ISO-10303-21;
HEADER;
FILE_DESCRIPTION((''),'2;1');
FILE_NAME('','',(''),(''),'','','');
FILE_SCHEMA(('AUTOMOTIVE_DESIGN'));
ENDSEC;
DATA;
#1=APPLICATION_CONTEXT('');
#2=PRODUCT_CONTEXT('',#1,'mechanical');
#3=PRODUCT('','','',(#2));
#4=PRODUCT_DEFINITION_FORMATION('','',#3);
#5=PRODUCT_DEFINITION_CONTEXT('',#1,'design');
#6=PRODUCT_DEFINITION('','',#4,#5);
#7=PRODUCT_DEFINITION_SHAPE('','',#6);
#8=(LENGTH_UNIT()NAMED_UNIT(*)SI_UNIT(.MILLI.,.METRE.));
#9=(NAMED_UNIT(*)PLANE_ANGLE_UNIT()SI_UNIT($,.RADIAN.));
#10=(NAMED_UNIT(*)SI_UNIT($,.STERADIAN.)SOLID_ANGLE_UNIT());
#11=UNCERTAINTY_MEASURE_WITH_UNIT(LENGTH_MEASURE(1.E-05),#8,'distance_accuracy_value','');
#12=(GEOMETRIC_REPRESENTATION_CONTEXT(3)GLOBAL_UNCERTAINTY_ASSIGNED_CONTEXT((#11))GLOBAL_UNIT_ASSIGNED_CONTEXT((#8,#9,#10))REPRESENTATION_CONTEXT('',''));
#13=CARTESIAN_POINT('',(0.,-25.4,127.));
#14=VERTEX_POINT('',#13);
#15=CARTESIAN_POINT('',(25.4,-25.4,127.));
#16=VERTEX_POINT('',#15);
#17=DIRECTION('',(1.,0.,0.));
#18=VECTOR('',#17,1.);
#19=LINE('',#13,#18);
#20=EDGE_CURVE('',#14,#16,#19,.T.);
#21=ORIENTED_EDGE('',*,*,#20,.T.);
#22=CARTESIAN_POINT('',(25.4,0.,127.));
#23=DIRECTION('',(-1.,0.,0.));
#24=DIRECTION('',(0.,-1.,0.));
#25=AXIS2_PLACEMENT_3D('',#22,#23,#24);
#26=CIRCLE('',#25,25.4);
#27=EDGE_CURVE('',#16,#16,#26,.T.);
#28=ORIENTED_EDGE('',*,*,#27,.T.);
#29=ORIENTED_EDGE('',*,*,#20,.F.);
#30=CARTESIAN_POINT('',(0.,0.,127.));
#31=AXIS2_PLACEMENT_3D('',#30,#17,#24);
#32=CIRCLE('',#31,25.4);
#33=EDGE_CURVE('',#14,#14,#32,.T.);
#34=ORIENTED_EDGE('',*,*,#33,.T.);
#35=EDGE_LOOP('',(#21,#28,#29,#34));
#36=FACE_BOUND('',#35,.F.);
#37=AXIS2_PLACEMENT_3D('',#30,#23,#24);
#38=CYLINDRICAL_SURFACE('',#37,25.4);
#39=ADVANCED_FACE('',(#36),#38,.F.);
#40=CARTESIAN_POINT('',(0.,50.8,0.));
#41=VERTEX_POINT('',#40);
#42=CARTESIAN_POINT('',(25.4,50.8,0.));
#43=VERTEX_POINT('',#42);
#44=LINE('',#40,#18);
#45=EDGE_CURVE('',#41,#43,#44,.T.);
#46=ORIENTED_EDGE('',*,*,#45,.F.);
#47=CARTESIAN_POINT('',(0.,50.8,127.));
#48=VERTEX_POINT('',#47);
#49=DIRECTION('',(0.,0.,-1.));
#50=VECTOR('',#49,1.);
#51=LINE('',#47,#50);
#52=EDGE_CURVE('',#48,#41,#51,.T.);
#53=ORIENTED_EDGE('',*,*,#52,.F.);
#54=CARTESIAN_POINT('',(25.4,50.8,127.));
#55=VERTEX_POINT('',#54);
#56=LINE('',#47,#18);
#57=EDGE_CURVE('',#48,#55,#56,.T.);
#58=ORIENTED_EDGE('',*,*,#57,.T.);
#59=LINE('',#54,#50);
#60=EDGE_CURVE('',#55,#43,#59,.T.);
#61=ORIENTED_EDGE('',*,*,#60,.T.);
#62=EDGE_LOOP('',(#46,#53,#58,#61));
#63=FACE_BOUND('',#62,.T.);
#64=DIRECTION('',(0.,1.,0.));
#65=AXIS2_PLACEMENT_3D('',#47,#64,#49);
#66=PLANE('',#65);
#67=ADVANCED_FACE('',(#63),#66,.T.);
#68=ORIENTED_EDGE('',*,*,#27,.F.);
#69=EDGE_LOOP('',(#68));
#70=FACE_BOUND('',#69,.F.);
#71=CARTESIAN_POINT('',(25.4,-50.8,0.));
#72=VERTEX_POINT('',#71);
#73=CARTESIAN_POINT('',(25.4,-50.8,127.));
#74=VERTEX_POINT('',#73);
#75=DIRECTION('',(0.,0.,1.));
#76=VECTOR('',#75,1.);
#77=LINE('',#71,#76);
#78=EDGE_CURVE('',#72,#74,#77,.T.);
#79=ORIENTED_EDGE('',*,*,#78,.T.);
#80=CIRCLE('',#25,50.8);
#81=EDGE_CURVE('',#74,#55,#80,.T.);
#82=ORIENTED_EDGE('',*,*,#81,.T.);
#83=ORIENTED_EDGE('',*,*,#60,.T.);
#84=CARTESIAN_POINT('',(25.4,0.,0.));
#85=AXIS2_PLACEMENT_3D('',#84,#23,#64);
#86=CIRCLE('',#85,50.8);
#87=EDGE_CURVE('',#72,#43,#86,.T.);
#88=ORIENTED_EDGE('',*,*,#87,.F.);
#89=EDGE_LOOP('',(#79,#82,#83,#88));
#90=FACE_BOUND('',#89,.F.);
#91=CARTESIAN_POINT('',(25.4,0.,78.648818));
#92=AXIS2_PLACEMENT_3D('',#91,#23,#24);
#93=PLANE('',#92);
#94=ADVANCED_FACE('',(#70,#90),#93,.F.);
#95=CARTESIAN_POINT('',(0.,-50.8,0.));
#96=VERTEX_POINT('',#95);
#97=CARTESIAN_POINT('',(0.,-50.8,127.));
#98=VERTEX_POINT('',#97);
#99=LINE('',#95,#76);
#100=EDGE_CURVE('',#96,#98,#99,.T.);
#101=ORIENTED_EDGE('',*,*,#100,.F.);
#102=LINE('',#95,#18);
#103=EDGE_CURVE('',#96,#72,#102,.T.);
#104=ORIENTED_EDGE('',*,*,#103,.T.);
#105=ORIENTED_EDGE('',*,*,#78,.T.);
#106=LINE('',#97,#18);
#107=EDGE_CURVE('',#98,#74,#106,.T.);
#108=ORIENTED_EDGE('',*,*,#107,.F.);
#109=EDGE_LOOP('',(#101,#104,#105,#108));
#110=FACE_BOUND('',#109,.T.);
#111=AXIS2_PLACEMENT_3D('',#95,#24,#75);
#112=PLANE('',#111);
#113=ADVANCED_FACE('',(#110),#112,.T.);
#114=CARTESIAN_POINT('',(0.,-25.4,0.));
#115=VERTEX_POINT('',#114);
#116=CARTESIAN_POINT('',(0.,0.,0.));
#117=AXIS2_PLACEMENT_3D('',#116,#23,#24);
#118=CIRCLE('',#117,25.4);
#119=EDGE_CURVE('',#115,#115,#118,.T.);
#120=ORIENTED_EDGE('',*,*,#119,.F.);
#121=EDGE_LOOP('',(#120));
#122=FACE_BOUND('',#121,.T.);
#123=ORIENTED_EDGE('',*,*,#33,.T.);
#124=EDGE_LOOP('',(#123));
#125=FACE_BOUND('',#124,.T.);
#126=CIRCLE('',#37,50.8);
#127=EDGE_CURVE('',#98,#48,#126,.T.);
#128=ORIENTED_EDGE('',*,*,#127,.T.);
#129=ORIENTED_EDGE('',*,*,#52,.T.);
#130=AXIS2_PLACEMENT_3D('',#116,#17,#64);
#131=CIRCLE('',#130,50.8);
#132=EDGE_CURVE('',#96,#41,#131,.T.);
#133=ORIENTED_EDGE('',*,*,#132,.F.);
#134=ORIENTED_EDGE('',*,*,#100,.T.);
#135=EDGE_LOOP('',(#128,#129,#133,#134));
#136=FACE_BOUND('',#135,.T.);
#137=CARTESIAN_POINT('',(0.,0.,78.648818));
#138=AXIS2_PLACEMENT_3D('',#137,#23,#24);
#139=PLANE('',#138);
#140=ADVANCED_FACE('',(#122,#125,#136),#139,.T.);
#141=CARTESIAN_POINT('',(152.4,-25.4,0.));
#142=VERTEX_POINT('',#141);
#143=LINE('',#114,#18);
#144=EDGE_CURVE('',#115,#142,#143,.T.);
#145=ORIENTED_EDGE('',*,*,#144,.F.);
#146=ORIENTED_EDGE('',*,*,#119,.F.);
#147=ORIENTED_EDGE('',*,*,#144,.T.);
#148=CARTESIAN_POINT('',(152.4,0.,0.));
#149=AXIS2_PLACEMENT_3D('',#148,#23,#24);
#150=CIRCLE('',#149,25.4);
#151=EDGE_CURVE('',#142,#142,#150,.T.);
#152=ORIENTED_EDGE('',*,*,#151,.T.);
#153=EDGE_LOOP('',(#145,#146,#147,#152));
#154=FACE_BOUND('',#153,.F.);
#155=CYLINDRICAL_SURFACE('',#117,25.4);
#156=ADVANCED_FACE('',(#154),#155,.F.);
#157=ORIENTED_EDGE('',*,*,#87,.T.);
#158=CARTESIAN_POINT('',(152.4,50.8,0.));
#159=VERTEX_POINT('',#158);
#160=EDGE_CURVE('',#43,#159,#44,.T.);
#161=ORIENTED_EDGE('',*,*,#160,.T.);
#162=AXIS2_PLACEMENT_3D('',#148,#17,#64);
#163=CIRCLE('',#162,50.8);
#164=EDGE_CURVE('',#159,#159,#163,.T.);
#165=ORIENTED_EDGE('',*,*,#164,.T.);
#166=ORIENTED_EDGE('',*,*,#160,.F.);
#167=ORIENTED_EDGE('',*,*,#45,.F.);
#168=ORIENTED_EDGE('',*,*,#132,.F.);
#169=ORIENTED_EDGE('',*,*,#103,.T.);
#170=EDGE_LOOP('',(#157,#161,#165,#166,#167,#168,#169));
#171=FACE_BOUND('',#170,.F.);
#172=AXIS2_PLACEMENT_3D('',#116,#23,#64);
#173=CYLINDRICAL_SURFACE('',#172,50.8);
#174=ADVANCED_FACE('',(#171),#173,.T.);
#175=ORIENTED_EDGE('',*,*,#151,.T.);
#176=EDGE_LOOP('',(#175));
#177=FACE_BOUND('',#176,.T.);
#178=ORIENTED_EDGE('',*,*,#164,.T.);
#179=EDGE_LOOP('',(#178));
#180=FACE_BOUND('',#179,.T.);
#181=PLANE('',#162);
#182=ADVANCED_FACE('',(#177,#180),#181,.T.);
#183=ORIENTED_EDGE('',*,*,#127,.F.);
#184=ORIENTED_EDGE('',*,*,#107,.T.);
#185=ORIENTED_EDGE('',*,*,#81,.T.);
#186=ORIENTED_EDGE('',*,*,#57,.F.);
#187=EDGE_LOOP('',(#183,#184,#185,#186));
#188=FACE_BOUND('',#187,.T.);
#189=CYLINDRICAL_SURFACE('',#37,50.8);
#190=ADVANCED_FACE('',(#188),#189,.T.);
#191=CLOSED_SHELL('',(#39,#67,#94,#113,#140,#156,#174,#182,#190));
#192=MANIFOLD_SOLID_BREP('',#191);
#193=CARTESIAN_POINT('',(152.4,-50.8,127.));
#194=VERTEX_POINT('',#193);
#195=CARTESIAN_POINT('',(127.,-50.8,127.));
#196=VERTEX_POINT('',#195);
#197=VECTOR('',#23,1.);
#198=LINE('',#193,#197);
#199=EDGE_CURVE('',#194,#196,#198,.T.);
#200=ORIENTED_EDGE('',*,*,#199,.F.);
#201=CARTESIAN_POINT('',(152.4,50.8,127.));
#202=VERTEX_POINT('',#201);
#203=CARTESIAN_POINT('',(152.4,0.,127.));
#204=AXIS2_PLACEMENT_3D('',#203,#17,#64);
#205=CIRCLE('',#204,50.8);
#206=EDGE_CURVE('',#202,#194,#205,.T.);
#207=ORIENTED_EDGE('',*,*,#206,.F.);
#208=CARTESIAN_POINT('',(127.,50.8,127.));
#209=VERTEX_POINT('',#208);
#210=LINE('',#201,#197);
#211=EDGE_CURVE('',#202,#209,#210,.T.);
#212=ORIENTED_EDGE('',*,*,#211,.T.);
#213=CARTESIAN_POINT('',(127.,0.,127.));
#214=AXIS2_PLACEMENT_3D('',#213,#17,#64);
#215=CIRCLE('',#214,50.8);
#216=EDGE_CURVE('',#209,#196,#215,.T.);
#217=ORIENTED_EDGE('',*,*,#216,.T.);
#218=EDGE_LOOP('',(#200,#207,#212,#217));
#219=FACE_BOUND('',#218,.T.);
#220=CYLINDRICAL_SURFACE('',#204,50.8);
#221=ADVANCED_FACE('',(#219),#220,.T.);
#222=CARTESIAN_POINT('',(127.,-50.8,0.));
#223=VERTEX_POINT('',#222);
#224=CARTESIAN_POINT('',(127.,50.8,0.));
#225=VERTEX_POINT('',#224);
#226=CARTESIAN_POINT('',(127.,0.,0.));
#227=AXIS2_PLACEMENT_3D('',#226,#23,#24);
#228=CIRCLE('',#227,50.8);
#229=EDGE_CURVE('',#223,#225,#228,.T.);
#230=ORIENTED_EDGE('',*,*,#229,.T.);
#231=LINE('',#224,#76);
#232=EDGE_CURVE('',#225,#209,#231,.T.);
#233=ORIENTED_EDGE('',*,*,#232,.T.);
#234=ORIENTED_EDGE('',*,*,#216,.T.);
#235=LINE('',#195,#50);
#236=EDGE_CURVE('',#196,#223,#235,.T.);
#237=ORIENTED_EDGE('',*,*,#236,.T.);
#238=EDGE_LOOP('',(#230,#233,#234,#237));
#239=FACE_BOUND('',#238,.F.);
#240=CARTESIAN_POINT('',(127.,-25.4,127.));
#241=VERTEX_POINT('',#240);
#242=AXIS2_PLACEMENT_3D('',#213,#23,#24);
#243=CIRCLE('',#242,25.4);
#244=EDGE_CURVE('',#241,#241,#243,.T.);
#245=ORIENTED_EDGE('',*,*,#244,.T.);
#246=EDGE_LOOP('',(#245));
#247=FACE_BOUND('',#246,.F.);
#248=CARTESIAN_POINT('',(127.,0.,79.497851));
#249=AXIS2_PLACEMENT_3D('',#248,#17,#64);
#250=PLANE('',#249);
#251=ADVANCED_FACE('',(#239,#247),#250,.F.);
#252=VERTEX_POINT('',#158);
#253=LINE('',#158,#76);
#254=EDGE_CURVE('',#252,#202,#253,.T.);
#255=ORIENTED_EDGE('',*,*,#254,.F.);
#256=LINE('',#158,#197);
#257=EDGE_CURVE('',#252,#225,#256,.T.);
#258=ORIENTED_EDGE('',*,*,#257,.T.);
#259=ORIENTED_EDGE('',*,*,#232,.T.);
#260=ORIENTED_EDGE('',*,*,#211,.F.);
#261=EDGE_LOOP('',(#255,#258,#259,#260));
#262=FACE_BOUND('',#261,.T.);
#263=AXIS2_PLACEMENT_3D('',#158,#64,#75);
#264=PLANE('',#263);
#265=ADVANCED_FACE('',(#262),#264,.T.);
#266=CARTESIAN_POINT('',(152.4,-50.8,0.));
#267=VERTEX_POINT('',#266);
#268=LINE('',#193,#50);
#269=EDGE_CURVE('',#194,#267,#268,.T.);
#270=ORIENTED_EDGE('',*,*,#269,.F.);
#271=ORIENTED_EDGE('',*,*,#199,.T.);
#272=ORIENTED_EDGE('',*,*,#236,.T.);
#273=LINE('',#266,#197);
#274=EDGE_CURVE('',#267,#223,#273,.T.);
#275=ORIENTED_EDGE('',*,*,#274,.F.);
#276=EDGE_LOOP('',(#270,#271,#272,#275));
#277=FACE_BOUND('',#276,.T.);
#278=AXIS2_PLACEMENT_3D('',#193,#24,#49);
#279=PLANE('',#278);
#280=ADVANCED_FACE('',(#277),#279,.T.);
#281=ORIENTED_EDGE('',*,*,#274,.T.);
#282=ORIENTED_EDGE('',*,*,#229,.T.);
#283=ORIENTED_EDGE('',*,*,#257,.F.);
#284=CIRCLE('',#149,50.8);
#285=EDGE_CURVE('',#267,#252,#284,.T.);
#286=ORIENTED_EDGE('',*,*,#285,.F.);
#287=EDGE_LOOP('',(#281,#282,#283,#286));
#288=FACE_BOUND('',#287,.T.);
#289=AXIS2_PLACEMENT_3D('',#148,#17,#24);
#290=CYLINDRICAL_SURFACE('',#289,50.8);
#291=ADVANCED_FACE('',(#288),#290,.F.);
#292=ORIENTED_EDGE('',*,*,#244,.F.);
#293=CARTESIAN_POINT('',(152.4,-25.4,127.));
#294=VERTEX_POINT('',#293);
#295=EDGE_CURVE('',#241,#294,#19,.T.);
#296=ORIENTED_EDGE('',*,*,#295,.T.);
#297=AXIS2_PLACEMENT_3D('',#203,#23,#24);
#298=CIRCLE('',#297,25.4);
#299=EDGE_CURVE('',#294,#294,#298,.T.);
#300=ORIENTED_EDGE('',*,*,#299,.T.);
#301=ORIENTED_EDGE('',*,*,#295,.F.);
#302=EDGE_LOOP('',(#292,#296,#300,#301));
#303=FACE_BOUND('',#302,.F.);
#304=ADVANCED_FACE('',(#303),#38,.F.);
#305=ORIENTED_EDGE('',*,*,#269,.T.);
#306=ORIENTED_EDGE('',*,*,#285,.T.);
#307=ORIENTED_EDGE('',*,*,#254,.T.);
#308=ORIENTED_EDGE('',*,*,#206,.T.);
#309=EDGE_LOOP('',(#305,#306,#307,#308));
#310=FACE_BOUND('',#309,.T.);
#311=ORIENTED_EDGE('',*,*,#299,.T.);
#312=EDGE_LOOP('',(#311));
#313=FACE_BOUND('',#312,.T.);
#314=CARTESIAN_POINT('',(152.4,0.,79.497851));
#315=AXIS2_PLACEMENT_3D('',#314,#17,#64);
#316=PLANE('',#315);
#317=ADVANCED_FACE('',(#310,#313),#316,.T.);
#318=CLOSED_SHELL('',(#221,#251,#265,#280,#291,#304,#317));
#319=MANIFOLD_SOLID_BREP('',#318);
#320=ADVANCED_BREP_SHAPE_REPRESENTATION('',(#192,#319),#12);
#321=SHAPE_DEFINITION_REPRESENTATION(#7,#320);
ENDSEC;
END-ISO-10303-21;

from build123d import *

# Parameters (mm, degrees)
F0_R     = 50.8
F1_DEPTH = 152.4
F3_DEPTH = 25.4
F5_DEPTH = 25.4
F6_R     = 25.4
F7_DEPTH = 152.401
F8_R     = 25.4
F9_DEPTH = 152.401


with BuildPart() as f1:
    # F0 (on Right) → F1 (new body)
    with BuildSketch(Plane.YZ):
        Circle(F0_R)
    extrude(amount=F1_DEPTH)

    # F4 (on face) → F5 (join)
    with BuildSketch(Plane(origin=(0, 0, 0), x_dir=(0, -1, 0), z_dir=(-1, 0, 0))):
        with BuildLine():
            Line((-50.8, 127), (-50.8, 0))
            Line((-50.8, 0), (50.8, 0))
            Line((50.8, 0), (50.8, 127))
            ThreePointArc((50.8, 127), (0, 177.8), (-50.8, 127))
        make_face()
    extrude(amount=-F5_DEPTH)


with BuildPart() as f3:
    # F2 (on face) → F3 (new body)
    with BuildSketch(Plane.YZ.offset(152.4)):
        with BuildLine():
            Line((-50.8, 127), (-50.8, 0))
            ThreePointArc((-50.8, 0), (0, 50.8), (50.8, 0))
            Line((50.8, 0), (50.8, 127))
            ThreePointArc((50.8, 127), (0, 177.8), (-50.8, 127))
        make_face()
    extrude(amount=-F3_DEPTH)


with BuildPart() as f7_tool:
    # F6 (on face) → F7 (new body, through all)
    with BuildSketch(Plane(origin=(0, 0, 0), x_dir=(0, -1, 0), z_dir=(-1, 0, 0))):
        with Locations((0, 127)):
            Circle(F6_R)
        Circle(F6_R)
    extrude(amount=-F7_DEPTH)


with BuildPart() as f1_1:
    add(f1.part)

    # F7: cut by f7_tool
    add(f7_tool.part, mode=Mode.SUBTRACT)

    # F8 (on face) → F9 (cut, through all)
    with BuildSketch(Plane.YZ.offset(152.4)):
        with Locations((0, 127)):
            Circle(F8_R)
    extrude(amount=-F9_DEPTH, mode=Mode.SUBTRACT)


with BuildPart() as f3_1:
    add(f3.part)

    # F7: cut by f7_tool
    add(f7_tool.part, mode=Mode.SUBTRACT)


solid = Compound([f1_1.part, f3_1.part])
